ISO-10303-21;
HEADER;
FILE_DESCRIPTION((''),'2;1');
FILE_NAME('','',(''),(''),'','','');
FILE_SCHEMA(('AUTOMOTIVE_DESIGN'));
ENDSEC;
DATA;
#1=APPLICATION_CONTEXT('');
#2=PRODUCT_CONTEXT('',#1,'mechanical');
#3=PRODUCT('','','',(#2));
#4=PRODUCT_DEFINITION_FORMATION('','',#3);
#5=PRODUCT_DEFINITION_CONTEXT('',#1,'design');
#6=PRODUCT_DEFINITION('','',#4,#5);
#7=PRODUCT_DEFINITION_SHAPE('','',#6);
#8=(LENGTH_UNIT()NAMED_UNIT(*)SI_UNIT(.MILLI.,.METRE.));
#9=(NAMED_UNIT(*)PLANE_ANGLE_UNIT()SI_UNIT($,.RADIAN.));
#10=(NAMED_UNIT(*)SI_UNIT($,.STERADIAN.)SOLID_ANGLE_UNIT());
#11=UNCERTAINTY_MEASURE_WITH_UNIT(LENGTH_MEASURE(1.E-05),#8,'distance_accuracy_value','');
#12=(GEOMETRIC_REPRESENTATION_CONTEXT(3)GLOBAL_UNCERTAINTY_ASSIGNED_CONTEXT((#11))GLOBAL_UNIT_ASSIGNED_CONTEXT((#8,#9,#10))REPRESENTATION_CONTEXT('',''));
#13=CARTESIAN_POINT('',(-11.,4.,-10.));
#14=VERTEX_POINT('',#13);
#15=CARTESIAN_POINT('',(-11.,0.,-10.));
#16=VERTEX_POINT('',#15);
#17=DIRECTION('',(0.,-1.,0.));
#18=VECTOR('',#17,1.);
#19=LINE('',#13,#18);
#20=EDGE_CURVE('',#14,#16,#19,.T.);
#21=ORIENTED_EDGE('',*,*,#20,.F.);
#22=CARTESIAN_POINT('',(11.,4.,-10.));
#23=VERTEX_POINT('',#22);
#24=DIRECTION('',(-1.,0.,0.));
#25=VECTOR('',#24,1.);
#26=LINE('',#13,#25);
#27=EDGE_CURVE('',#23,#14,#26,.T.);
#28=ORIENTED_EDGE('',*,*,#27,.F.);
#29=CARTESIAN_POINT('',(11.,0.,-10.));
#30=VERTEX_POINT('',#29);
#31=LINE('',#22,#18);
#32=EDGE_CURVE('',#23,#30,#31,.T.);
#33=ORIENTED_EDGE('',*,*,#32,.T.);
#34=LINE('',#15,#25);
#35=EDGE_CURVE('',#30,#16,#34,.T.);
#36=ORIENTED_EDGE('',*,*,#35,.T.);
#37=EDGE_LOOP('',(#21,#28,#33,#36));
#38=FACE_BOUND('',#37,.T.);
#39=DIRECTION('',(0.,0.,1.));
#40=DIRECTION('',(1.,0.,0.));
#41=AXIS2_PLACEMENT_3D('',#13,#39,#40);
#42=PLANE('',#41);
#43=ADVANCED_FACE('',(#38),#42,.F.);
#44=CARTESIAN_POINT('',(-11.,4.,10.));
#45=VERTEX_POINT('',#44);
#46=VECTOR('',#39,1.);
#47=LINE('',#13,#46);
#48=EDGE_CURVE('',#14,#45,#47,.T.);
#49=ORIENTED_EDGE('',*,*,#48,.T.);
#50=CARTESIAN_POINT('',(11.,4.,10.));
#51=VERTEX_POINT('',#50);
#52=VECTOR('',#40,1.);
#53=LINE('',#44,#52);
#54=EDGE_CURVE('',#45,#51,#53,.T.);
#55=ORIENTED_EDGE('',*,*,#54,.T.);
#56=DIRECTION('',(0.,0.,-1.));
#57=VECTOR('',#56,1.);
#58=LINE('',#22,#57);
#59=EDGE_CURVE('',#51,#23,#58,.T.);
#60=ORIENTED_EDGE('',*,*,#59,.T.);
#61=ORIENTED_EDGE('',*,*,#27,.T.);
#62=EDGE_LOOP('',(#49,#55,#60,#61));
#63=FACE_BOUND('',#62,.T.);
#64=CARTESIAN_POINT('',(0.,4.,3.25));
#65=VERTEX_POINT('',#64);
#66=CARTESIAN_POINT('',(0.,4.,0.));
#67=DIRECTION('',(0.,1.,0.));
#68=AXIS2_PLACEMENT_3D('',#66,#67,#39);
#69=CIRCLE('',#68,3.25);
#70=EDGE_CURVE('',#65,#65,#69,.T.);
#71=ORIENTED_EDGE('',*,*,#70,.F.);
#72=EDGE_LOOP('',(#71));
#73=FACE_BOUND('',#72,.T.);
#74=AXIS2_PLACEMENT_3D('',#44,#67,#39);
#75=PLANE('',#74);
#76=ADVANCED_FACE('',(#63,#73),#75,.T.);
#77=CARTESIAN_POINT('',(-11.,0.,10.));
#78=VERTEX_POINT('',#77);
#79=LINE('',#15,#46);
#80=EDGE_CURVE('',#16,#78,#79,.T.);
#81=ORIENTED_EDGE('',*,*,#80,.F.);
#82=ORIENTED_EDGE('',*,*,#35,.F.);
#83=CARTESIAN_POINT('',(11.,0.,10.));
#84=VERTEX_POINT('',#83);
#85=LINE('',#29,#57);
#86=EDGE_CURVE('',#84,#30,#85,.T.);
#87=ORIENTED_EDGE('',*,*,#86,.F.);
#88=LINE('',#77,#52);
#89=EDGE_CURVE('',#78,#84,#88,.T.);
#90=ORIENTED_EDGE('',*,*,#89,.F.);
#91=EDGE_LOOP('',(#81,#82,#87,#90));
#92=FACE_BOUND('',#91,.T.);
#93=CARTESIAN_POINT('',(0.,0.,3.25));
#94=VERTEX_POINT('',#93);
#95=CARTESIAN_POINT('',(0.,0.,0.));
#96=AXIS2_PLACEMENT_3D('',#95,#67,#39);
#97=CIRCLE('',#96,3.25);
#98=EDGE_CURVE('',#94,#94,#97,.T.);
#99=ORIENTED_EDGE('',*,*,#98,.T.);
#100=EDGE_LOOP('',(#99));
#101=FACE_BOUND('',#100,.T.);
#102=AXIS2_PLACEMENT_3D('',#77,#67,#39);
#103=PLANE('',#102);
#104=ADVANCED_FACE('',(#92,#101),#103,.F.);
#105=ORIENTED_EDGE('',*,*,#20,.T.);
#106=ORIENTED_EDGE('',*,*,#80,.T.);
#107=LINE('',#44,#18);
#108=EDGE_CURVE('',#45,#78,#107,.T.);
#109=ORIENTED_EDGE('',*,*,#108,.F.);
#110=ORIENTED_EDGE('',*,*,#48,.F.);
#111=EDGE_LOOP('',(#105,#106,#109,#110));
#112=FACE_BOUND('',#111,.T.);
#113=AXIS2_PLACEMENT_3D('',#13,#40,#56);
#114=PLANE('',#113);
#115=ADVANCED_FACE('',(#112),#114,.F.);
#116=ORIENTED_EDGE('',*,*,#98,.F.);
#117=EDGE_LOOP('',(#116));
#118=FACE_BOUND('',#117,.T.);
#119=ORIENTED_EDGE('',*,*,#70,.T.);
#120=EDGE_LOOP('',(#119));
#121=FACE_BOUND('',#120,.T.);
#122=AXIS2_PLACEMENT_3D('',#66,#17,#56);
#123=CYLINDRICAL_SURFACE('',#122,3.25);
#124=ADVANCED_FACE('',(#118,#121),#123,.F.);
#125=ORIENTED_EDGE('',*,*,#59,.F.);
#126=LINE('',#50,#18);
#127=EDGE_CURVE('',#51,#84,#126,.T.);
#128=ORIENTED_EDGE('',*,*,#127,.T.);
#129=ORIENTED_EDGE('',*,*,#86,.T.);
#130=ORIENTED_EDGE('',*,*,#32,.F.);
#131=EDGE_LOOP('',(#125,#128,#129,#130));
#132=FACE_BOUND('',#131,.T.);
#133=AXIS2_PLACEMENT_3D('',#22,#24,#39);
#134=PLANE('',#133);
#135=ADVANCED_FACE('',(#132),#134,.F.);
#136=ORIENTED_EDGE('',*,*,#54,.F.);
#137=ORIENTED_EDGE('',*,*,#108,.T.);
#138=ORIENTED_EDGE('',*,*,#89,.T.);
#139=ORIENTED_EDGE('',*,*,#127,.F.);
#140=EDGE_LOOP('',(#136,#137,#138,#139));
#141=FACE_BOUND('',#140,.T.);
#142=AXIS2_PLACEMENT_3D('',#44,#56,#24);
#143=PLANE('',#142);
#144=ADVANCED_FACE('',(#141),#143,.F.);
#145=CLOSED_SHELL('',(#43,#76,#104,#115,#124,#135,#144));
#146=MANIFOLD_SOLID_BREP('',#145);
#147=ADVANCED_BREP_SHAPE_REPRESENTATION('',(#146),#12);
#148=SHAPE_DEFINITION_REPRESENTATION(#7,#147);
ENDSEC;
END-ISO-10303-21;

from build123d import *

# Parameters (mm, degrees)
ESQUISSE2_W        = 22
ESQUISSE2_H        = 20
ESQUISSE2_R        = 3.25
BOSS_EXTRU_1_DEPTH = 4


with BuildPart() as part:
    # Esquisse2 → Boss.-Extru.1 (new body)
    with BuildSketch(Plane(origin=(0, 0, 0), x_dir=(1, 0, 0), z_dir=(0, 1, 0))):
        Rectangle(ESQUISSE2_W, ESQUISSE2_H)
        Circle(ESQUISSE2_R, mode=Mode.SUBTRACT)
    extrude(amount=BOSS_EXTRU_1_DEPTH)


solid = part.part
